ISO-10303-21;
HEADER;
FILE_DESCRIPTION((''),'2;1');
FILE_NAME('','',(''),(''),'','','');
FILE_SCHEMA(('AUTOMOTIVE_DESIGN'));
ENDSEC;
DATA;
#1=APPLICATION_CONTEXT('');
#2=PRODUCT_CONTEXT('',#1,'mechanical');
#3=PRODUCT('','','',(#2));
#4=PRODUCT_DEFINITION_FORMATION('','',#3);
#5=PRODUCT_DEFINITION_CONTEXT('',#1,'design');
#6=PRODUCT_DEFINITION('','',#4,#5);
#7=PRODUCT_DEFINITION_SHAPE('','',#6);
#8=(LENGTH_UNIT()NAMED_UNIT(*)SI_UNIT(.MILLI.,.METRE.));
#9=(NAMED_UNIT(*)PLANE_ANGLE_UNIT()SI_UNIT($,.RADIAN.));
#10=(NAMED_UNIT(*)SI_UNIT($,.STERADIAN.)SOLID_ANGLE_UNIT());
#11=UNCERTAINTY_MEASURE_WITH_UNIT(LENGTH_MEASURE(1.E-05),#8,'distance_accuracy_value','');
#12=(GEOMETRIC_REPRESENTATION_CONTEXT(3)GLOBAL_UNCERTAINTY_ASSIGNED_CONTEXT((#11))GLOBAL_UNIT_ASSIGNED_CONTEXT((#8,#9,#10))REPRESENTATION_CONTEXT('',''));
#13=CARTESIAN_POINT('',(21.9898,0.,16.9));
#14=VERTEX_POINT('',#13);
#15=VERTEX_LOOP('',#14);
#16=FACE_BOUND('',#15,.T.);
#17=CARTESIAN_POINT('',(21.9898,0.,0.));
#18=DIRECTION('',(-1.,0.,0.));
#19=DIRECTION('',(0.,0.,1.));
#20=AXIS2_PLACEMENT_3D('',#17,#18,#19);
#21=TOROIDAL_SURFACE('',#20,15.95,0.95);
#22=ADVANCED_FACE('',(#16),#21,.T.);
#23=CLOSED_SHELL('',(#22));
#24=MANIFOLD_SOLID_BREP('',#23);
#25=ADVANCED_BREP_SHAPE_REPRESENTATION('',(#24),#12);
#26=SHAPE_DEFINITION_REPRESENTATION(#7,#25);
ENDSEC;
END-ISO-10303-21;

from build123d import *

# Parameters (mm, degrees)
SKETCH3_R = 0.950000005


with BuildPart() as part:
    # Sketch3 → Revolve1 (revolve)
    with BuildSketch(Plane.XY):
        with Locations((21.989799937, 15.949999977)):
            Circle(SKETCH3_R)
    revolve(axis=Axis((0, 0, 0), (1, 0, 0)))


solid = part.part
